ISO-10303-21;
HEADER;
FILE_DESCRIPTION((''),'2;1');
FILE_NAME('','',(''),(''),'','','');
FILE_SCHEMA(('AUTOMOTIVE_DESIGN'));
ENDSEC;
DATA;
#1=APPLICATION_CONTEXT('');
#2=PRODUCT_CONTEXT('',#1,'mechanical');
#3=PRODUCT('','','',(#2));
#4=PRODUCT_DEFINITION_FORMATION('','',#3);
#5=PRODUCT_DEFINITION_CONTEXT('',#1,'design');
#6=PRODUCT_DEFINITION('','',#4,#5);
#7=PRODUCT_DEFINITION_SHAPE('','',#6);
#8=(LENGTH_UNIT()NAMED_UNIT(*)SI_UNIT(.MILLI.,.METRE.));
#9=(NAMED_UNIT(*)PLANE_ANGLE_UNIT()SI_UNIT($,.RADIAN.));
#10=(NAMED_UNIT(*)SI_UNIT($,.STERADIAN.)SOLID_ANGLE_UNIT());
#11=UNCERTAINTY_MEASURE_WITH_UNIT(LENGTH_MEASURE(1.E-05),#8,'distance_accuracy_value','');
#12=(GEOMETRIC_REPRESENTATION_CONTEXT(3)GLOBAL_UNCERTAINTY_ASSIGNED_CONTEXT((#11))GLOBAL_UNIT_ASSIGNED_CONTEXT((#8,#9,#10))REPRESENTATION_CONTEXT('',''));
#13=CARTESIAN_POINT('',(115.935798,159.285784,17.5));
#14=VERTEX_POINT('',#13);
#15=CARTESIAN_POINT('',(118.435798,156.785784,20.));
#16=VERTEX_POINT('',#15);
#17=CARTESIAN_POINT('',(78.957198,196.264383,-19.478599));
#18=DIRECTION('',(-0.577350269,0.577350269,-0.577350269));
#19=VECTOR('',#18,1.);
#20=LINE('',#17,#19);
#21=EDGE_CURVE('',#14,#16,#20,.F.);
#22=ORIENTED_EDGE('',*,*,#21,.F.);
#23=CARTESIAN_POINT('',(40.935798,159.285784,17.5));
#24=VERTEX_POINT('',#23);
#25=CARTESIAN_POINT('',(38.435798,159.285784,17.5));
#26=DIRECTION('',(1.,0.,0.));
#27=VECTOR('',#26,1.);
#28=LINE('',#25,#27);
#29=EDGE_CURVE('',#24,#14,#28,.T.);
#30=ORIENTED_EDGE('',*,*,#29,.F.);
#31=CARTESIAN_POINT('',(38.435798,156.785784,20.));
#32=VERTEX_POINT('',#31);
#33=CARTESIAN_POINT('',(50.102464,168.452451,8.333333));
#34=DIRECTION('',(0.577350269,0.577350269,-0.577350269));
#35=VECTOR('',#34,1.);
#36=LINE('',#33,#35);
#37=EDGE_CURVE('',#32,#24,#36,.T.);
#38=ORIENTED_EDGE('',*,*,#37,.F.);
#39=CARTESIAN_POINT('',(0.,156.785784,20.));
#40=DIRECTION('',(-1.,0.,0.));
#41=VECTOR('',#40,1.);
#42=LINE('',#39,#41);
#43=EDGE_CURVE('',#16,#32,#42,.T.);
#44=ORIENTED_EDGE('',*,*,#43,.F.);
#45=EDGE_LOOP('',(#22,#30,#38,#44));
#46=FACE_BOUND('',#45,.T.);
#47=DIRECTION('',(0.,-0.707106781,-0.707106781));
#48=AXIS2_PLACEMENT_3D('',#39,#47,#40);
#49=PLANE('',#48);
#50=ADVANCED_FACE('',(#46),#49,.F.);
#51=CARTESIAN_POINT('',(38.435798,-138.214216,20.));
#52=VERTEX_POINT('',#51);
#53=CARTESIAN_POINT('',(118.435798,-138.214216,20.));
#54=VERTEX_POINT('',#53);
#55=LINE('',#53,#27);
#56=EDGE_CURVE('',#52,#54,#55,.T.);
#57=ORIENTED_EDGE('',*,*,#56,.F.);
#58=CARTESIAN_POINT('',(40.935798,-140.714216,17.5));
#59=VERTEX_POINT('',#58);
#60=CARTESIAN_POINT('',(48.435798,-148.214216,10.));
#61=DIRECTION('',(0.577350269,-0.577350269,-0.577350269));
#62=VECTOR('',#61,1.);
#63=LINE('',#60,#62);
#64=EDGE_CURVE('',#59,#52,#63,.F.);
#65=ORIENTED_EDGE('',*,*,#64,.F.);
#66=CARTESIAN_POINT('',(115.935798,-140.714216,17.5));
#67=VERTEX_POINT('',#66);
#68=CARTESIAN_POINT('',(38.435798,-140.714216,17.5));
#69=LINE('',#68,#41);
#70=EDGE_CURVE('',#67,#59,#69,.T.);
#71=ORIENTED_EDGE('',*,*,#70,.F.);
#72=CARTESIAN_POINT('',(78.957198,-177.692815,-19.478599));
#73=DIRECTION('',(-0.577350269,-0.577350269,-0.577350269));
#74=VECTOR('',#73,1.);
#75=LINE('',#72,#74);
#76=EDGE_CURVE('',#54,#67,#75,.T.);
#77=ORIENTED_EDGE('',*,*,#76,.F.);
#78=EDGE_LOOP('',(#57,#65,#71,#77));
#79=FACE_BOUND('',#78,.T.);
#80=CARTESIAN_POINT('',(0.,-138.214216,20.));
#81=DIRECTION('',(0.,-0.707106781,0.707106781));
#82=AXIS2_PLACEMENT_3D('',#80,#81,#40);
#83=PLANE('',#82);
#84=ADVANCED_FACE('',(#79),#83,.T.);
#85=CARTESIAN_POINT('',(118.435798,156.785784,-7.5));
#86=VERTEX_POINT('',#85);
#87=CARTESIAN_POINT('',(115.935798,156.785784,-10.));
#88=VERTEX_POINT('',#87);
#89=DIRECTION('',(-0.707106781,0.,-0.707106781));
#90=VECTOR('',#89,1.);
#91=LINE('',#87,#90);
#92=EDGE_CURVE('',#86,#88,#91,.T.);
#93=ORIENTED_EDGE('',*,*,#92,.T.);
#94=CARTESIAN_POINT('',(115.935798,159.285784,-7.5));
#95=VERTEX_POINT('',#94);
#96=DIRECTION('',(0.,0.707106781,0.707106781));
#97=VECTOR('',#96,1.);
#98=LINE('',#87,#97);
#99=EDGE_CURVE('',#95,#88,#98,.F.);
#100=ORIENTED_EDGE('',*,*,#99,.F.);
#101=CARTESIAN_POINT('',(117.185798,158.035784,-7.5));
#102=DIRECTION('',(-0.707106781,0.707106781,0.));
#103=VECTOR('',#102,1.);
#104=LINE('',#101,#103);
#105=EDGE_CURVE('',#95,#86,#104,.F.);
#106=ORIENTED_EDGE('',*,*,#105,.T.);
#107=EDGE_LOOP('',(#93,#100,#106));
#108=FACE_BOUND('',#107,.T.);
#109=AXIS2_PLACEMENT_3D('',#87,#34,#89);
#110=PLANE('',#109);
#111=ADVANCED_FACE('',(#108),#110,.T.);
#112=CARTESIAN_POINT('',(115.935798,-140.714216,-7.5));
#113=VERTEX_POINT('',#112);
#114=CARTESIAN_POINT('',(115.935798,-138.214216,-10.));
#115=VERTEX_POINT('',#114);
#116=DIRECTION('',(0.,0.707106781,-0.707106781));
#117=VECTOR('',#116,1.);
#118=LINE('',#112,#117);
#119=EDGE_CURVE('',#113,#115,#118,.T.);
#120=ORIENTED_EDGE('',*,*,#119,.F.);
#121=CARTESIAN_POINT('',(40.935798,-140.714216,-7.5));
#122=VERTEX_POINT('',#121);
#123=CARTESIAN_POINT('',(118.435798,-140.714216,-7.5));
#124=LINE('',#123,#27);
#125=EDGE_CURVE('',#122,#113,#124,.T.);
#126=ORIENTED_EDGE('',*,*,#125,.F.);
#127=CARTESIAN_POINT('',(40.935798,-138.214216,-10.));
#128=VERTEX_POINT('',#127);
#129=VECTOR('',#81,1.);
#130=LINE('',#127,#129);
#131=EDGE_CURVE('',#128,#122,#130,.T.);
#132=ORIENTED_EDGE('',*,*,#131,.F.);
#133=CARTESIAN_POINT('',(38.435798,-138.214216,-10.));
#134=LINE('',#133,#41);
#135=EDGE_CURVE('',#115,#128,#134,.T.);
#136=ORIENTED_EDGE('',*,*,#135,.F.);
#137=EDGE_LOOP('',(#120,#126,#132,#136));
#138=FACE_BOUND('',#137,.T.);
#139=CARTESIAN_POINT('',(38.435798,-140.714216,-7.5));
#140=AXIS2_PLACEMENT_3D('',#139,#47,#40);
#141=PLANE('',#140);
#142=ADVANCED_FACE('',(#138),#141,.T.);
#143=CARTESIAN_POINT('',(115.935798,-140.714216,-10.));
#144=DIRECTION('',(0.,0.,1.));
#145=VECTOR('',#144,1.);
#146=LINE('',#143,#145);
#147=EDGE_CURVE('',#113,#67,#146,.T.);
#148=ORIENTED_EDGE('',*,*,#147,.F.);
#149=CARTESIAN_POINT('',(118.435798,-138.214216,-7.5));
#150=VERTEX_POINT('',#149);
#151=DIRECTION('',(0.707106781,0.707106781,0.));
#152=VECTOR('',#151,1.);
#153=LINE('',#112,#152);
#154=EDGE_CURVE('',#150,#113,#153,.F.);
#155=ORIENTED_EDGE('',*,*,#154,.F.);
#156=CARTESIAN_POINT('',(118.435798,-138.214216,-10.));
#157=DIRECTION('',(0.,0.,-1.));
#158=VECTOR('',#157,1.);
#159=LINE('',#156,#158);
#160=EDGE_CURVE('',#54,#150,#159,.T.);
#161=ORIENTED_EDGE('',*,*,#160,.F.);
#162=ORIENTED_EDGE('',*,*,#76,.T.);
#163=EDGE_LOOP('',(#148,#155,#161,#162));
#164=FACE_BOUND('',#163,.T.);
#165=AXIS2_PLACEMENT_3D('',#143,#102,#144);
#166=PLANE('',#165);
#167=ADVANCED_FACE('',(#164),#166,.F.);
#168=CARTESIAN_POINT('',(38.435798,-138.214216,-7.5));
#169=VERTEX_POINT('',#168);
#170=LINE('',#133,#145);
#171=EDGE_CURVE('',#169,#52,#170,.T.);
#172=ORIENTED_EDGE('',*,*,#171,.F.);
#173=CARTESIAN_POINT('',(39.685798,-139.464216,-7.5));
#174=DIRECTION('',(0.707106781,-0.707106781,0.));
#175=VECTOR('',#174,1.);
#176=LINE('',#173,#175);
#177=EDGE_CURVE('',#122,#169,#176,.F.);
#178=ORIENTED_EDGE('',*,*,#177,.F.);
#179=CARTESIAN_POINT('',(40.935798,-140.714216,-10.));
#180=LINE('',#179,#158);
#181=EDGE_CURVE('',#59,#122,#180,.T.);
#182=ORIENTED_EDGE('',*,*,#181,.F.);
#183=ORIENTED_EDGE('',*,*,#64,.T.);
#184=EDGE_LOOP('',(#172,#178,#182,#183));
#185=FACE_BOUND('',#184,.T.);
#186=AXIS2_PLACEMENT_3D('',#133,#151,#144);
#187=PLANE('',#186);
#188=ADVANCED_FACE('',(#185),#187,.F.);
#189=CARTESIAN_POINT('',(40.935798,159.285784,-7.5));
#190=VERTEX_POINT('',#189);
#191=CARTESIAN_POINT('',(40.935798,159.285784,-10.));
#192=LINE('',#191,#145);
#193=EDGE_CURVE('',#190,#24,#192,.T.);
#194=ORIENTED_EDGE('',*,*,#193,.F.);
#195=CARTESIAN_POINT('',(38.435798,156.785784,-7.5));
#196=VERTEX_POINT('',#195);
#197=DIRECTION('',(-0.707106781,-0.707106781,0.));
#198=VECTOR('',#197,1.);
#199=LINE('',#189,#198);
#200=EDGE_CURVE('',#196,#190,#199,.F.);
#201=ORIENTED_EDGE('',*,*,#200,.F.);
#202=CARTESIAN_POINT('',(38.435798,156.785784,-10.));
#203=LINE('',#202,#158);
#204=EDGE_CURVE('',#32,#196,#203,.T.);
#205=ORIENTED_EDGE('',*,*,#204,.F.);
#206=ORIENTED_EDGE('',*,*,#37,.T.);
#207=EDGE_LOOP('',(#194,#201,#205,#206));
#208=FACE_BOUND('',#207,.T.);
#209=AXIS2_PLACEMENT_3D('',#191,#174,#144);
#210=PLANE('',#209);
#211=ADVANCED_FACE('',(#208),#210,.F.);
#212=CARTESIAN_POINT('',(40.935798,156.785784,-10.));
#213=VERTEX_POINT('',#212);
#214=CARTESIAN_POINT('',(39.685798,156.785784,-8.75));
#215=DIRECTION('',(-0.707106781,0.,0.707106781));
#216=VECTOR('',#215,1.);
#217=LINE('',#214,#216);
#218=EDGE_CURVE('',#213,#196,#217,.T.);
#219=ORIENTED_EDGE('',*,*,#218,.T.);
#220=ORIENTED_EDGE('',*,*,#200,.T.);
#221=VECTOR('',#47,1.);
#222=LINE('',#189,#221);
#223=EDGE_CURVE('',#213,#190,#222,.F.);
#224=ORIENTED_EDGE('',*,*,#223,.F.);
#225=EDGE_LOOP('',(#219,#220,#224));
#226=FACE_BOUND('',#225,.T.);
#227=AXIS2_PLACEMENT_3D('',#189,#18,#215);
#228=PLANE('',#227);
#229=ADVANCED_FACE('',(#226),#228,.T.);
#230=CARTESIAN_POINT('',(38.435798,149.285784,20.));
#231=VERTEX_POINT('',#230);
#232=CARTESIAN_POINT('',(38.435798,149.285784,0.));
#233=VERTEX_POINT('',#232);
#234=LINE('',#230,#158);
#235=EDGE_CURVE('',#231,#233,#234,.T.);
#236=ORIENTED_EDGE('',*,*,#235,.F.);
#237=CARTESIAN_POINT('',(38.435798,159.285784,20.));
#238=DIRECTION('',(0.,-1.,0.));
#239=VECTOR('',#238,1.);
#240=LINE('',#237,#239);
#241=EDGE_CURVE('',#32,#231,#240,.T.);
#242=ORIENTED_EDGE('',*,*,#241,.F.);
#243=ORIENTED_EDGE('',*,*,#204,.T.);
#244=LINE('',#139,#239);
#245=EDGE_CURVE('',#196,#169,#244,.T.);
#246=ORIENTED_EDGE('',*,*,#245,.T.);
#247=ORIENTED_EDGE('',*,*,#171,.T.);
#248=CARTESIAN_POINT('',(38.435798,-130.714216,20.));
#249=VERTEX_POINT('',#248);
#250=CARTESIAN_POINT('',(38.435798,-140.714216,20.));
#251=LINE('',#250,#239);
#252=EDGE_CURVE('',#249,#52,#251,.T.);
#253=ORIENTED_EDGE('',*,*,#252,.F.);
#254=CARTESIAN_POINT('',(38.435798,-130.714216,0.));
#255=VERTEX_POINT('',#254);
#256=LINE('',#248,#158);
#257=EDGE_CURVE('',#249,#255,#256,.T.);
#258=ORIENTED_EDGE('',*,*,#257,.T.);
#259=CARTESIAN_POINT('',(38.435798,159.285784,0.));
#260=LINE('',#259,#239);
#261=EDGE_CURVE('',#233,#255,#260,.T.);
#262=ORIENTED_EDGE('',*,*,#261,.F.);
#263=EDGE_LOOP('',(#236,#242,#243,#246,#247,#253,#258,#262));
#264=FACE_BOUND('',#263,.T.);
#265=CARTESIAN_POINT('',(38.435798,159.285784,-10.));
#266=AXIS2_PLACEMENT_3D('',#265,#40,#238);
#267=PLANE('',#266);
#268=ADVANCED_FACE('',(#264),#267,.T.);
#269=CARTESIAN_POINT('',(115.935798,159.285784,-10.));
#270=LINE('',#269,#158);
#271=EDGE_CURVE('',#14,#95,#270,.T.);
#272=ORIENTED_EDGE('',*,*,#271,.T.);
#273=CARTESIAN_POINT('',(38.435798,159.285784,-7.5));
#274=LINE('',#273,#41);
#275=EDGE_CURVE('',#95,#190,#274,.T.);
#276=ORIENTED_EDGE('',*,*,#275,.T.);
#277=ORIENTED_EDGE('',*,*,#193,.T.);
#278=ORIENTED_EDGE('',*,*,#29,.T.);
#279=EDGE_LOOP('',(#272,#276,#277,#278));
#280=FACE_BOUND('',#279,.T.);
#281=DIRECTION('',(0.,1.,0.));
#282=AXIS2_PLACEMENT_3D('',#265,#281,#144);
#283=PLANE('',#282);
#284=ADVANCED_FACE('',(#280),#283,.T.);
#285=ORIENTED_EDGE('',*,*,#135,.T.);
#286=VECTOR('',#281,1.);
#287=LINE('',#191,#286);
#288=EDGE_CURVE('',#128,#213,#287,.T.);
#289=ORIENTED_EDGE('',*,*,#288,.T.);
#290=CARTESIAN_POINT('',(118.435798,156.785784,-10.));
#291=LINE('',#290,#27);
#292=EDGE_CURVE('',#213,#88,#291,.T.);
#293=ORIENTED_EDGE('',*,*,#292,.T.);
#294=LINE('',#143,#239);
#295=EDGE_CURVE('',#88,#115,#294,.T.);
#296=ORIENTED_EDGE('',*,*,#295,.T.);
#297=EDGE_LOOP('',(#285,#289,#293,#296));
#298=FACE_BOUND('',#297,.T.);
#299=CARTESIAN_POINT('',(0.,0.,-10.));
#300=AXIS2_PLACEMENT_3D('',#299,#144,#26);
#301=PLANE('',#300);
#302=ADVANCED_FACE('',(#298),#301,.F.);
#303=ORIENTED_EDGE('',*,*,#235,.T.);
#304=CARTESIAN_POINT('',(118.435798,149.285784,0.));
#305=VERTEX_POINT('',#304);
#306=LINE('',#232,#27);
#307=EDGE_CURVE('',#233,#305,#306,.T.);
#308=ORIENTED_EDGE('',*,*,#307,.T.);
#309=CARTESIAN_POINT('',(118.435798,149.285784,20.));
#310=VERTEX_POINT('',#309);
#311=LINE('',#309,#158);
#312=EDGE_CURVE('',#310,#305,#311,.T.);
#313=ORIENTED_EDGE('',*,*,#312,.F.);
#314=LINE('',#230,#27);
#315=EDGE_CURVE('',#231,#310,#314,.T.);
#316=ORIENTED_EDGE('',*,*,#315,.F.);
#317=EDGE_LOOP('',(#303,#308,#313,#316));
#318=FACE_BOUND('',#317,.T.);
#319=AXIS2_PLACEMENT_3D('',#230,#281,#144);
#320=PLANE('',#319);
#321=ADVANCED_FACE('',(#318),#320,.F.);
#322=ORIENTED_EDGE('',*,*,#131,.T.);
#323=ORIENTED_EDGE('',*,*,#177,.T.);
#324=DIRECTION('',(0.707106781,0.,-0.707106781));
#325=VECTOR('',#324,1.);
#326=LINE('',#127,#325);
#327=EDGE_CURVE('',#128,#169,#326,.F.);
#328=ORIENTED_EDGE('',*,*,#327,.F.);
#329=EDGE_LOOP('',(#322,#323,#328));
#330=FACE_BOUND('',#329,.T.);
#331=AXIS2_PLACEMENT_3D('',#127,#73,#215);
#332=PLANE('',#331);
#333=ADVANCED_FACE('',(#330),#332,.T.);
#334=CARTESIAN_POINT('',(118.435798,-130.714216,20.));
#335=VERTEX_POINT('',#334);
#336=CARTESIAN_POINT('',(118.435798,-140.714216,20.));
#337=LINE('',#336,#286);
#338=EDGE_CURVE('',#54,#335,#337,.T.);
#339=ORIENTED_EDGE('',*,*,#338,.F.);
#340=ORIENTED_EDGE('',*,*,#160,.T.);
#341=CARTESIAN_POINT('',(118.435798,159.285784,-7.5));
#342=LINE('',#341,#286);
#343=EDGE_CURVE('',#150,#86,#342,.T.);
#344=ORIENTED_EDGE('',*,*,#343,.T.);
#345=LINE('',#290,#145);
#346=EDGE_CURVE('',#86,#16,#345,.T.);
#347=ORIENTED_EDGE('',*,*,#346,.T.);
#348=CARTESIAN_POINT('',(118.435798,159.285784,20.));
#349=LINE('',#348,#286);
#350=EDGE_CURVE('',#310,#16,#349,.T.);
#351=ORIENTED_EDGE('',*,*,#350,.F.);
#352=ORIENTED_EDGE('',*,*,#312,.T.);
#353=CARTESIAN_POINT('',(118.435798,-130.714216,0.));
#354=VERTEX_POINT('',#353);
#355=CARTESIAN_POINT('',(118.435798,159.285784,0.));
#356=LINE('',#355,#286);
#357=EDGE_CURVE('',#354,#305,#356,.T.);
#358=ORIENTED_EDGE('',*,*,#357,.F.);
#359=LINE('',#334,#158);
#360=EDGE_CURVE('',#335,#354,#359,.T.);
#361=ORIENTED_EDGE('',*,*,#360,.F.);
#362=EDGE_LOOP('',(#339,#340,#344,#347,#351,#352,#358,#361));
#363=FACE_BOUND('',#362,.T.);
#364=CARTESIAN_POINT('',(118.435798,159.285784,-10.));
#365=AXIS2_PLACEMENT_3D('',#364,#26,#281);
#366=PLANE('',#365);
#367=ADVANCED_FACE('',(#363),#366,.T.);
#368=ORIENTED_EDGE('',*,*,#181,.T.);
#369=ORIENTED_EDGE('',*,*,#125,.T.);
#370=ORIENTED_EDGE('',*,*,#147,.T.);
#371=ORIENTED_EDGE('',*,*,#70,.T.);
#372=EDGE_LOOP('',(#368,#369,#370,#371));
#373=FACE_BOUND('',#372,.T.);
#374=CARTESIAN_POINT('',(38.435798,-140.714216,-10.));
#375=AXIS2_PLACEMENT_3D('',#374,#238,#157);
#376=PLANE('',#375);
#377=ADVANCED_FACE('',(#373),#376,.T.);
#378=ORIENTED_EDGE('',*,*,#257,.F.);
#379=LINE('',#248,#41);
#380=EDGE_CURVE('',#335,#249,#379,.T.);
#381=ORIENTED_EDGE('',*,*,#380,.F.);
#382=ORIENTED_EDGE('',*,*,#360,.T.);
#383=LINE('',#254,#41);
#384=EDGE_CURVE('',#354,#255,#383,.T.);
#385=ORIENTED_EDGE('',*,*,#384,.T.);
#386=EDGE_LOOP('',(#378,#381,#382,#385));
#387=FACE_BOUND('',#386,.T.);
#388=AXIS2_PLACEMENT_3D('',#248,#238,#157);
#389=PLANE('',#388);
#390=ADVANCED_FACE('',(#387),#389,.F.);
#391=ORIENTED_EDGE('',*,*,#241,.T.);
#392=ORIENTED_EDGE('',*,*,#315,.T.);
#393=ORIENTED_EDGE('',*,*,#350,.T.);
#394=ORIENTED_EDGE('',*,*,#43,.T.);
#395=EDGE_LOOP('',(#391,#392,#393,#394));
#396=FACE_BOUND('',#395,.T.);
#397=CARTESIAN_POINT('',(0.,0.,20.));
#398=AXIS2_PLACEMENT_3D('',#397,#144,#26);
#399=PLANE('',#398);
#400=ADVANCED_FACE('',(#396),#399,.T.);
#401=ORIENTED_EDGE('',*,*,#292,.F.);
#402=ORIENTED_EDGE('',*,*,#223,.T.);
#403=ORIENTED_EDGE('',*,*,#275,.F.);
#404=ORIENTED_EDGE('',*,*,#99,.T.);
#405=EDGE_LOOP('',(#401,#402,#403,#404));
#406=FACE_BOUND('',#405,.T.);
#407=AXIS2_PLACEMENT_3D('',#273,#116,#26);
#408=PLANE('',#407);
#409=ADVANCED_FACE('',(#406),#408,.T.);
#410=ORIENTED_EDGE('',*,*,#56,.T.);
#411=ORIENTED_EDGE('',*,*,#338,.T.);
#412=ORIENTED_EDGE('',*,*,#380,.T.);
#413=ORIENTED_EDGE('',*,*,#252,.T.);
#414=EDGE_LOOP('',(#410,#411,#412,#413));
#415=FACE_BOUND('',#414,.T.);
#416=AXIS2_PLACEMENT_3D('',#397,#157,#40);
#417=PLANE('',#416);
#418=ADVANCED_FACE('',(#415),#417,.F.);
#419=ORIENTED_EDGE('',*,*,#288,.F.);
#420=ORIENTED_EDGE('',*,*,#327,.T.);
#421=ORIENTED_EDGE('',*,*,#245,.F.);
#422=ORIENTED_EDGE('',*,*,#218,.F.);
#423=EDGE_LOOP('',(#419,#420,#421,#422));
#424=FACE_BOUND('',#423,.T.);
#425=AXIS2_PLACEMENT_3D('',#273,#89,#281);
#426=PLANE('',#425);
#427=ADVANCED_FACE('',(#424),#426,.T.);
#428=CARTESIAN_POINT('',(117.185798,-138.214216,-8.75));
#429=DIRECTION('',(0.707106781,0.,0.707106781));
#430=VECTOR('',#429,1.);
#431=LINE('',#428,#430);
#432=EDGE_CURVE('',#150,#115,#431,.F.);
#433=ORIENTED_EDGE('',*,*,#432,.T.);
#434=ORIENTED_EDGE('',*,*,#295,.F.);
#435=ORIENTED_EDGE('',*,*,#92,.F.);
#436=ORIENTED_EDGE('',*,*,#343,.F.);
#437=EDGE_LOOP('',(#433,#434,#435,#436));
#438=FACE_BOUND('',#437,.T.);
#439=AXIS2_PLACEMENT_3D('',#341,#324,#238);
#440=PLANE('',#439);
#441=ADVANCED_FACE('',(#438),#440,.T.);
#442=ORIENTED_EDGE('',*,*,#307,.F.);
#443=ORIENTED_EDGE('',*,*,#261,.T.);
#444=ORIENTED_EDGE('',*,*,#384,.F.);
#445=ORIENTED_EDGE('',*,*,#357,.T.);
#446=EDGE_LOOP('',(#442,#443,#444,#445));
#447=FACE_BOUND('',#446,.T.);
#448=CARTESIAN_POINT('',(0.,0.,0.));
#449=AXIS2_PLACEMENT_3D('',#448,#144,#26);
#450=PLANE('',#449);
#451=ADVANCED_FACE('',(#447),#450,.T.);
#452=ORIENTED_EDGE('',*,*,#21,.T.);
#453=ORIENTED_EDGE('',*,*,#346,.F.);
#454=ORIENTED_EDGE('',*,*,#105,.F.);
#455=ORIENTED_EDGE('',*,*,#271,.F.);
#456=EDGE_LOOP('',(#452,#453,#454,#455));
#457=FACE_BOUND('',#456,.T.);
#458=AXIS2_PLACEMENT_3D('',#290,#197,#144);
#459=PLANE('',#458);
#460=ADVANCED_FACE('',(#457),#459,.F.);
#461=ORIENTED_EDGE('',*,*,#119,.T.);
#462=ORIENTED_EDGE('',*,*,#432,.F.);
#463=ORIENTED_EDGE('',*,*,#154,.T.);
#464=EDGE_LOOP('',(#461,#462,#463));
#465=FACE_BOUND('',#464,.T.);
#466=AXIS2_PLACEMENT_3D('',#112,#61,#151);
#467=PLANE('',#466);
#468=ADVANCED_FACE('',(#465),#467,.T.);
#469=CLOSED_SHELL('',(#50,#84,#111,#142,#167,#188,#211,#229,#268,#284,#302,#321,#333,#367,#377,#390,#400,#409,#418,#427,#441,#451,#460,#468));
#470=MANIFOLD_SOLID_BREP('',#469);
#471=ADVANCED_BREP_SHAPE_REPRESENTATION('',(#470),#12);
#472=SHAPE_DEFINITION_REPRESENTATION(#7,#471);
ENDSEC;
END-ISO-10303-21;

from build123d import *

# Parameters (mm, degrees)
SKETCH_1_W      = 80
SKETCH_1_H      = 300
EXTRUDE_1_DEPTH = 10
SKETCH_2_W      = 80
SKETCH_2_H      = 10
EXTRUDE_2_DEPTH = 20
CHAMFER_1_SIZE  = 2.5


with BuildPart() as part:
    # 草圖1 → 填料-伸長1 (new body)
    with BuildSketch(Plane.XY):
        with Locations((78.435797513, 9.285783834)):
            Rectangle(SKETCH_1_W, SKETCH_1_H)
    extrude(amount=-EXTRUDE_1_DEPTH)

    # 草圖2 → 填料-伸長2 (add)
    with BuildSketch(Plane.XY):
        with Locations((78.435797513, -135.714216166)):
            Rectangle(SKETCH_2_W, SKETCH_2_H)
        with Locations((78.435797513, 154.285783834)):
            Rectangle(SKETCH_2_W, SKETCH_2_H)
    extrude(amount=EXTRUDE_2_DEPTH)

    # 導角1
    chamfer_1_edges = [part.edges().sort_by_distance(p)[0] for p in [
        (118.435797513, 9.285783834, -10),
        (78.435797513, 159.285783834, -10),
        (78.435797513, -140.714216166, 20),
        (78.435797513, 159.285783834, 20),
        (38.435797513, 9.285783834, -10),
        (78.435797513, -140.714216166, -10),
        (38.435797513, 159.285783834, 5),
        (118.435797513, 159.285783834, 5),
        (118.435797513, -140.714216166, 5),
        (38.435797513, -140.714216166, 5),
    ]]
    chamfer(chamfer_1_edges, length=CHAMFER_1_SIZE)


solid = part.part
